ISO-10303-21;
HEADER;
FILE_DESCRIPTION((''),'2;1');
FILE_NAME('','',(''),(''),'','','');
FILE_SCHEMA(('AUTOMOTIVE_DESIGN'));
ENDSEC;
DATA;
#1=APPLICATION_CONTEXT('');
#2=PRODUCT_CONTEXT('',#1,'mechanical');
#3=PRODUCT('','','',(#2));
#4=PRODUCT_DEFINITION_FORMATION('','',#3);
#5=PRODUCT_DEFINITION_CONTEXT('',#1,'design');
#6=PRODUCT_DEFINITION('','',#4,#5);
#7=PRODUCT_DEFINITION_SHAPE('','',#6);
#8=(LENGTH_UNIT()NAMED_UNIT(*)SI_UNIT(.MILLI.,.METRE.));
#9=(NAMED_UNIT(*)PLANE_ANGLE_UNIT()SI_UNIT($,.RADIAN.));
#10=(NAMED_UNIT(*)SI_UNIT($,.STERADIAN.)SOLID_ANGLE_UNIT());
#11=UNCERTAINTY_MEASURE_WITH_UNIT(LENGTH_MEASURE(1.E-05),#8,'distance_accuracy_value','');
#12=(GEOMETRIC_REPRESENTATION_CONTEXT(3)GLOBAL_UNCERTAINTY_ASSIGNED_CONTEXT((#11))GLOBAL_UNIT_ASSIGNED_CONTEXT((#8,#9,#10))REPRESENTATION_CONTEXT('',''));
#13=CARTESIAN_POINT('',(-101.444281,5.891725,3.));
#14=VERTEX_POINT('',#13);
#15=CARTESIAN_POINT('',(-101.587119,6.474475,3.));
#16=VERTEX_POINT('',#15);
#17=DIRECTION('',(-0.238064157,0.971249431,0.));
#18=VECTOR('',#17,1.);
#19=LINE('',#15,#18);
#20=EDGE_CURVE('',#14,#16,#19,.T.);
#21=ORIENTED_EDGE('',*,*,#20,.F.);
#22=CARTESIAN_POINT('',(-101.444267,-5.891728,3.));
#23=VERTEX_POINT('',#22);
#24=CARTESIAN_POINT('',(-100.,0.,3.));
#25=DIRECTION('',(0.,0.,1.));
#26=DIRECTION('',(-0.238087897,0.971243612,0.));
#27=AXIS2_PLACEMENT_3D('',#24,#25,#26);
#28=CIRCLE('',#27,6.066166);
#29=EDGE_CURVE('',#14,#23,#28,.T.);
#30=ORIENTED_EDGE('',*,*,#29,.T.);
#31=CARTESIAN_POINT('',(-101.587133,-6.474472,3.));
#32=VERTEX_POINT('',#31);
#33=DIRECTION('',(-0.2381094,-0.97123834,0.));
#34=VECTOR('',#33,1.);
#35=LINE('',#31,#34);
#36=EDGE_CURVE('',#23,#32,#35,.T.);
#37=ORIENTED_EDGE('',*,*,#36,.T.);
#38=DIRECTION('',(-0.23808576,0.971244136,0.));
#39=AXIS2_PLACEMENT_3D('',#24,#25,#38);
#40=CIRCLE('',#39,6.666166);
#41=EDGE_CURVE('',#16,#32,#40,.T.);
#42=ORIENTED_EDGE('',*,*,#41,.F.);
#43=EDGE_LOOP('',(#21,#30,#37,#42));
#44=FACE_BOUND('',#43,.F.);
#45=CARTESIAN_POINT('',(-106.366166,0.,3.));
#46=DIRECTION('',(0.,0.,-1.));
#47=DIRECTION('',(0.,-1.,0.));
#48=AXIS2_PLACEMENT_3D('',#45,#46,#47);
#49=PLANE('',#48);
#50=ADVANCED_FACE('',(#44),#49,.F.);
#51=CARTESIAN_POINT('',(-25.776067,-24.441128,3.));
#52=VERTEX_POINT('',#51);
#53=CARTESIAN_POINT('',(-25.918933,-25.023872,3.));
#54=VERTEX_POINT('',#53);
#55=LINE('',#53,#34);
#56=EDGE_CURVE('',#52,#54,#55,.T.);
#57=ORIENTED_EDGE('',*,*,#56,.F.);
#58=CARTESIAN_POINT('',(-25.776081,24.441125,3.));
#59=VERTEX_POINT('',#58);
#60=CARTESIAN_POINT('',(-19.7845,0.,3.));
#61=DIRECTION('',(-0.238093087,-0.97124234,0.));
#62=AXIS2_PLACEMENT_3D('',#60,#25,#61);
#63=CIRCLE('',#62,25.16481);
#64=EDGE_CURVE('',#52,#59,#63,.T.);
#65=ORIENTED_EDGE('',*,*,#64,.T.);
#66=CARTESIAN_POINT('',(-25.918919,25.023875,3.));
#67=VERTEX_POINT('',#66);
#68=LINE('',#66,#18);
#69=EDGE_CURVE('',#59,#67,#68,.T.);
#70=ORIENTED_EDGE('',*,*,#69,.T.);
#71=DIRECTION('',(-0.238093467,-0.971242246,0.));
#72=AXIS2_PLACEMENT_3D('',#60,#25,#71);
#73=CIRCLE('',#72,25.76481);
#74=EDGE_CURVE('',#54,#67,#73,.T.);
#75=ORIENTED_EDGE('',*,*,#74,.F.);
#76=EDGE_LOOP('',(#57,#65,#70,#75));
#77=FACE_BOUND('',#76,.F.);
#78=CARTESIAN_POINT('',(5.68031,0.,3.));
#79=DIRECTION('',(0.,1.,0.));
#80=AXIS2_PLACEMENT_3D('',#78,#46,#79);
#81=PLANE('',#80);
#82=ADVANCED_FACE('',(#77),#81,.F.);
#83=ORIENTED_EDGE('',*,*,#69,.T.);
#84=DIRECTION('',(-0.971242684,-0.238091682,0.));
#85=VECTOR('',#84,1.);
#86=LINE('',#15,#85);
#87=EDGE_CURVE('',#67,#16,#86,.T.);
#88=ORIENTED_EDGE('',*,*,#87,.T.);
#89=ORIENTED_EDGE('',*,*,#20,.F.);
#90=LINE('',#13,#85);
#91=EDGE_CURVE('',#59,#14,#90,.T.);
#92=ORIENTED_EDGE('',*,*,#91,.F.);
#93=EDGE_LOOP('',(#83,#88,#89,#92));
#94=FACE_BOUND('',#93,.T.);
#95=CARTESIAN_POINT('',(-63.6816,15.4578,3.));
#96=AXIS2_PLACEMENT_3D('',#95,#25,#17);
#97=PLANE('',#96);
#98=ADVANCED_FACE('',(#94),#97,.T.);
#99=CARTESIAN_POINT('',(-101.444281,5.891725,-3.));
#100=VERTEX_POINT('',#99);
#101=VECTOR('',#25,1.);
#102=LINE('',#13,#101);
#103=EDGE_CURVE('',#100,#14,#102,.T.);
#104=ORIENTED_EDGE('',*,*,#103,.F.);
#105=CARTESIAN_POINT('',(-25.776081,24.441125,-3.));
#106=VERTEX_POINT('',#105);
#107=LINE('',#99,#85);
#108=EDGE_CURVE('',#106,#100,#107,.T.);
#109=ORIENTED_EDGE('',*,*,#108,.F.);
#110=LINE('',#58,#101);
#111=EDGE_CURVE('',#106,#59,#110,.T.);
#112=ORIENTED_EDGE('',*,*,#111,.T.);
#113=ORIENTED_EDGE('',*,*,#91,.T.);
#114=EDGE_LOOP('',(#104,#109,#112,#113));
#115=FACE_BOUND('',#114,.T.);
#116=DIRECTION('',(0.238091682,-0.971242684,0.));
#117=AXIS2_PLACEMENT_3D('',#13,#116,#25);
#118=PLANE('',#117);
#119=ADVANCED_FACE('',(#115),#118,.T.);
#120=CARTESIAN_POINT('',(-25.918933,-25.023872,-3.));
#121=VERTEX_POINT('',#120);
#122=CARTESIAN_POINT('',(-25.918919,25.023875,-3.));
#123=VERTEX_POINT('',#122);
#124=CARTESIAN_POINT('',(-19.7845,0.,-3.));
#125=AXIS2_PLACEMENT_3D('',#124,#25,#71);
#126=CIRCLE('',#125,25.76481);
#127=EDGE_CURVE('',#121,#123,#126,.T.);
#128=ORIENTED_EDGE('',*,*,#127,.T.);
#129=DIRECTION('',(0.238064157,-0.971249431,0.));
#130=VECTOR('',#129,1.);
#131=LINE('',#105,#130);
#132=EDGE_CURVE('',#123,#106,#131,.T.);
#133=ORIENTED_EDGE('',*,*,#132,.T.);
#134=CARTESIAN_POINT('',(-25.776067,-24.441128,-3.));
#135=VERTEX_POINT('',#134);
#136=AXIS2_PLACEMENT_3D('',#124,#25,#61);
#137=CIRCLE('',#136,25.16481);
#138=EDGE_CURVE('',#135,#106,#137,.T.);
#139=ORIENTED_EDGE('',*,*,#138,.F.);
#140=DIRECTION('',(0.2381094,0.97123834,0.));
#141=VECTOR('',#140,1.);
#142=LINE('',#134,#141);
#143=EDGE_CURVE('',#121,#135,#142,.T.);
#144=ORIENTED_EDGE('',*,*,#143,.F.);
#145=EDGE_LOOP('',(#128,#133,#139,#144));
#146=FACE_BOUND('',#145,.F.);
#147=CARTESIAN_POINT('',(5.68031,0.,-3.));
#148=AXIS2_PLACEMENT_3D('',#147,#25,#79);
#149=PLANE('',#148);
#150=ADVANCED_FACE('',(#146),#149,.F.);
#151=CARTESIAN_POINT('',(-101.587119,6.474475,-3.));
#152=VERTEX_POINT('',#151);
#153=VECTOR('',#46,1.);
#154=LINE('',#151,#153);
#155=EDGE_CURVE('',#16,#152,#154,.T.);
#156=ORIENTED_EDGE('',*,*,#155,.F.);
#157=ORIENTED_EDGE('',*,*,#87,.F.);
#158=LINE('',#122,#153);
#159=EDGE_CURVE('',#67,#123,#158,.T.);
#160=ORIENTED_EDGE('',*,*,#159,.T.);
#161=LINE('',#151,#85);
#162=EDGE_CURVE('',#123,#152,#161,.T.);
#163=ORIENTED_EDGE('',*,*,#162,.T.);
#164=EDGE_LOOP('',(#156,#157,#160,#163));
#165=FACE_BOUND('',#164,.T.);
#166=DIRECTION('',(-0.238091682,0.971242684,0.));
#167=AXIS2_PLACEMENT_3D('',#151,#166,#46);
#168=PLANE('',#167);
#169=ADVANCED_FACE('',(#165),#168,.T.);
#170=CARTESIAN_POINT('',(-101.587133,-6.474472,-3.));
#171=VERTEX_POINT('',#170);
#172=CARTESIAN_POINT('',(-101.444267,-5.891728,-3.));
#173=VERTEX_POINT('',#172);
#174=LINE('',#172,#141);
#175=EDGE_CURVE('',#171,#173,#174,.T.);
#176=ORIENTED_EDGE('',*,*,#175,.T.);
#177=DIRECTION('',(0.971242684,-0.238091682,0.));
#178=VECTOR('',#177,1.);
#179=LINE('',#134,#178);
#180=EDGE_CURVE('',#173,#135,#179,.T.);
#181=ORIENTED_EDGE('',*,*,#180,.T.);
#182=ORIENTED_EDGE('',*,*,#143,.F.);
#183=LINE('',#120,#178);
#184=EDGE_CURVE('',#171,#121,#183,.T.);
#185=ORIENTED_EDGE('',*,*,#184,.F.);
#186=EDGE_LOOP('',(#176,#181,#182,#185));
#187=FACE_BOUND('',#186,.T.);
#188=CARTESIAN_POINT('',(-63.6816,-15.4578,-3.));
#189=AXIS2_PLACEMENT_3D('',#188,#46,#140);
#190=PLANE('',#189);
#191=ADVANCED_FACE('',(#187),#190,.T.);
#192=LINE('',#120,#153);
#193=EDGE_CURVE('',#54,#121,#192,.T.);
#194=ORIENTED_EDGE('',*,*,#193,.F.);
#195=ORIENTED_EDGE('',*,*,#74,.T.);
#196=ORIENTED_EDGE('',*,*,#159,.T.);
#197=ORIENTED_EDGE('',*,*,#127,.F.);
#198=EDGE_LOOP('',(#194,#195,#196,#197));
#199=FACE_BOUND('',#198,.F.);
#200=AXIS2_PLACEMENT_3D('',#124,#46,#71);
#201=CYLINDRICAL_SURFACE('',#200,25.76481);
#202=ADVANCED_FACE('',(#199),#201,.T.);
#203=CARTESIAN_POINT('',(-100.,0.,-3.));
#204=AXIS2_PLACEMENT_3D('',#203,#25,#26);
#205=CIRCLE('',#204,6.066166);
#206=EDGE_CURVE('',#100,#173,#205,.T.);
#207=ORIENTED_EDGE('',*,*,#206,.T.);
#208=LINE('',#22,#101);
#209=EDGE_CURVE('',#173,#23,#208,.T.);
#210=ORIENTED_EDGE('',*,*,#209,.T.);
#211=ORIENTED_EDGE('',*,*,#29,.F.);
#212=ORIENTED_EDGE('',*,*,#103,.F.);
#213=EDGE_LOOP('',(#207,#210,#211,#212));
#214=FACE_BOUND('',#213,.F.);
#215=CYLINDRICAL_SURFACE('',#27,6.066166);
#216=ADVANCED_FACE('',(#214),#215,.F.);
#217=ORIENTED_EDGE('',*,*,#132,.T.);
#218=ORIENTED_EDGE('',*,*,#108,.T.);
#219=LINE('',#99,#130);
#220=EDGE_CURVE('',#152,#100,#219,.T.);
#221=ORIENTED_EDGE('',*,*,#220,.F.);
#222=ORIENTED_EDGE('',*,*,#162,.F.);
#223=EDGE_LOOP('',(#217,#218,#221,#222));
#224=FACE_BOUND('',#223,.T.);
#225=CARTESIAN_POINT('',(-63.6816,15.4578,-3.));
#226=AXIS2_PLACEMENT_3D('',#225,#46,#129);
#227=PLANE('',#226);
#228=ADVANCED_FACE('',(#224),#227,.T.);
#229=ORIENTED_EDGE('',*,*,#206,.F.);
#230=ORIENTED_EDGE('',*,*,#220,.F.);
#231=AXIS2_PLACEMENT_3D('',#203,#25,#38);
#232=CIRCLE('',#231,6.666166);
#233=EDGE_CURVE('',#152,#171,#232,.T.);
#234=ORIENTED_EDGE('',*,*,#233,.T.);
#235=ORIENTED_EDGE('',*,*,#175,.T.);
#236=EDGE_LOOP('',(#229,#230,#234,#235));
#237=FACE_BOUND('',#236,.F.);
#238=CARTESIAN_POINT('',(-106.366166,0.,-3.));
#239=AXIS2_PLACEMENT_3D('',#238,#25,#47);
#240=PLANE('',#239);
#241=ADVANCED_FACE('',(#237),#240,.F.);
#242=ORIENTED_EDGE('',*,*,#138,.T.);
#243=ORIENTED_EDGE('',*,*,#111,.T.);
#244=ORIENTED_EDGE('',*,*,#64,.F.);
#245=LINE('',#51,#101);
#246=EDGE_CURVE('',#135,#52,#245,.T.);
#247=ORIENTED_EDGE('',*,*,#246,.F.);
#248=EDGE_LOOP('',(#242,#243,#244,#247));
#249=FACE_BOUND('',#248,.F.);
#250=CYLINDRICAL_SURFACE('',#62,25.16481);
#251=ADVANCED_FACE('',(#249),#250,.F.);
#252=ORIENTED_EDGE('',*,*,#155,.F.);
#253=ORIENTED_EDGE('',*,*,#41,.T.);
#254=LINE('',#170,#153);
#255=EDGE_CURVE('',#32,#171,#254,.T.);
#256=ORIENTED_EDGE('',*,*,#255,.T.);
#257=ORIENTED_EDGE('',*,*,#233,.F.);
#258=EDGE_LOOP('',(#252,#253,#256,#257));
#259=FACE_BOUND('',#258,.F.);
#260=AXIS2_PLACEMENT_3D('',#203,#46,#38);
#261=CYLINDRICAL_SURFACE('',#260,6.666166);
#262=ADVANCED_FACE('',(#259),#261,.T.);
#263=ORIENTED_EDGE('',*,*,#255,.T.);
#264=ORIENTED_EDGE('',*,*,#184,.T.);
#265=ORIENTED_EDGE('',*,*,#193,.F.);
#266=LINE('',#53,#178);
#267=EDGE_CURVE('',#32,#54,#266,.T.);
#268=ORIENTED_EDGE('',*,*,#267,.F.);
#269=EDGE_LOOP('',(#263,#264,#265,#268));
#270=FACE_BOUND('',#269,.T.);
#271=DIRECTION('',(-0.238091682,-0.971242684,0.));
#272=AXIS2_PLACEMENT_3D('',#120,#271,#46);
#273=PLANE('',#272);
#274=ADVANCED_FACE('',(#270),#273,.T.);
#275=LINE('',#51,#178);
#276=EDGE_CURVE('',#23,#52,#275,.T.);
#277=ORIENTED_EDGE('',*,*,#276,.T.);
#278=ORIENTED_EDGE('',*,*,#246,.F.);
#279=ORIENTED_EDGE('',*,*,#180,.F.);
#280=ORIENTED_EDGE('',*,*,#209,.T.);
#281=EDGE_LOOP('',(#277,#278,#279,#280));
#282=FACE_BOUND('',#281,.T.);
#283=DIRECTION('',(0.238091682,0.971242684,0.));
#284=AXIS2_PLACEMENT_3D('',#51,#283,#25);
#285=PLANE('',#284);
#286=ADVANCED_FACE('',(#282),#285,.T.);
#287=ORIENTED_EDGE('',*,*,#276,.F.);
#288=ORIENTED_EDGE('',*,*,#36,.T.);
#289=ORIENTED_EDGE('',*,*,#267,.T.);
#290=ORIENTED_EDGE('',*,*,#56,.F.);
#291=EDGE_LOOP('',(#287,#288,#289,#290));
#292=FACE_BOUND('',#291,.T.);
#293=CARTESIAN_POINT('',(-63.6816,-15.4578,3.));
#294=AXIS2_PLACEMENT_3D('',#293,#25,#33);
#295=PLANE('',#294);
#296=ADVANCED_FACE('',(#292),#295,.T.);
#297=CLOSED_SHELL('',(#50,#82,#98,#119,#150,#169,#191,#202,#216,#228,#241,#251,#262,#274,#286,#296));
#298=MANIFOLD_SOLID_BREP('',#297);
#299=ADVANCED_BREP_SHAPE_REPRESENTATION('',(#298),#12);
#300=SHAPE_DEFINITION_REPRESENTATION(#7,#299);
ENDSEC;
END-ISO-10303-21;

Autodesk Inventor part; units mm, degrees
sketch "スケッチ パス" plane through (0, 0, 0) normal (0, 0, 1) x (1, 0, 0)
  arc A0 (-101.5157, 6.1831) -> (-101.5157, -6.1831) centre (-100, 0) ccw
  arc A1 (-25.8475, -24.7325) -> (-25.8475, 24.7325) centre (-19.7845, 0) ccw
  line L0 (-25.8475, -24.7325) -> (-101.5157, -6.1831)
  line L1 (-101.5157, 6.1831) -> (-25.8475, 24.7325)
ref_plane "断面平面" through (-101.5157, -6.1831, 0) normal (0.9712, -0.2381, 0) x (0, 0, 1)
ref_plane "作業平面2" through (-100, 0, 0) normal (-1, 0, 0) x (0, 0, 1)
ref_plane "作業平面3" through (-19.7845, 0, 0) normal (-0.9808, -0.1951, 0) x (0, 0, 1)
sketch "断面" plane through (-101.5157, -6.1831, 0) normal (0.9712, -0.2381, 0) x (0, 0, 1)
  line L0 (-3, 0.3) -> (3, 0.3)
  line L1 (3, 0.3) -> (3, -0.3)
  line L2 (3, -0.3) -> (-3, -0.3)
  line L3 (-3, -0.3) -> (-3, 0.3)
  line L4 (-3, 0) -> (3, 0) construction
  point P0 (0, 0)
  point P1 (0, 0)
  dimension "d0" = 6
  dimension "d4" = 0.3
  dimension "d5" = 0.3
sweep "ベルト" add profiles "断面" path "スケッチ パス"
equation "\"d0\" = da_B"
equation "\"d4\" = da_a"
equation "\"d5\" = da_a2"
equation "\"da_B\" = 6"
equation "\"da_pb\" = 2.5"
equation "\"da_L\" = 265"
equation "\"da_a\" = 0.3"
equation "\"da_S\" = 1.5"
equation "\"da_Beta\" = 20deg"
equation "\"da_Ht\" = 0.7"
equation "\"da_H\" = 1.3"
equation "\"da_a2\" = 0.3"
properties part number "歯付きベルト" material "Rubber"
